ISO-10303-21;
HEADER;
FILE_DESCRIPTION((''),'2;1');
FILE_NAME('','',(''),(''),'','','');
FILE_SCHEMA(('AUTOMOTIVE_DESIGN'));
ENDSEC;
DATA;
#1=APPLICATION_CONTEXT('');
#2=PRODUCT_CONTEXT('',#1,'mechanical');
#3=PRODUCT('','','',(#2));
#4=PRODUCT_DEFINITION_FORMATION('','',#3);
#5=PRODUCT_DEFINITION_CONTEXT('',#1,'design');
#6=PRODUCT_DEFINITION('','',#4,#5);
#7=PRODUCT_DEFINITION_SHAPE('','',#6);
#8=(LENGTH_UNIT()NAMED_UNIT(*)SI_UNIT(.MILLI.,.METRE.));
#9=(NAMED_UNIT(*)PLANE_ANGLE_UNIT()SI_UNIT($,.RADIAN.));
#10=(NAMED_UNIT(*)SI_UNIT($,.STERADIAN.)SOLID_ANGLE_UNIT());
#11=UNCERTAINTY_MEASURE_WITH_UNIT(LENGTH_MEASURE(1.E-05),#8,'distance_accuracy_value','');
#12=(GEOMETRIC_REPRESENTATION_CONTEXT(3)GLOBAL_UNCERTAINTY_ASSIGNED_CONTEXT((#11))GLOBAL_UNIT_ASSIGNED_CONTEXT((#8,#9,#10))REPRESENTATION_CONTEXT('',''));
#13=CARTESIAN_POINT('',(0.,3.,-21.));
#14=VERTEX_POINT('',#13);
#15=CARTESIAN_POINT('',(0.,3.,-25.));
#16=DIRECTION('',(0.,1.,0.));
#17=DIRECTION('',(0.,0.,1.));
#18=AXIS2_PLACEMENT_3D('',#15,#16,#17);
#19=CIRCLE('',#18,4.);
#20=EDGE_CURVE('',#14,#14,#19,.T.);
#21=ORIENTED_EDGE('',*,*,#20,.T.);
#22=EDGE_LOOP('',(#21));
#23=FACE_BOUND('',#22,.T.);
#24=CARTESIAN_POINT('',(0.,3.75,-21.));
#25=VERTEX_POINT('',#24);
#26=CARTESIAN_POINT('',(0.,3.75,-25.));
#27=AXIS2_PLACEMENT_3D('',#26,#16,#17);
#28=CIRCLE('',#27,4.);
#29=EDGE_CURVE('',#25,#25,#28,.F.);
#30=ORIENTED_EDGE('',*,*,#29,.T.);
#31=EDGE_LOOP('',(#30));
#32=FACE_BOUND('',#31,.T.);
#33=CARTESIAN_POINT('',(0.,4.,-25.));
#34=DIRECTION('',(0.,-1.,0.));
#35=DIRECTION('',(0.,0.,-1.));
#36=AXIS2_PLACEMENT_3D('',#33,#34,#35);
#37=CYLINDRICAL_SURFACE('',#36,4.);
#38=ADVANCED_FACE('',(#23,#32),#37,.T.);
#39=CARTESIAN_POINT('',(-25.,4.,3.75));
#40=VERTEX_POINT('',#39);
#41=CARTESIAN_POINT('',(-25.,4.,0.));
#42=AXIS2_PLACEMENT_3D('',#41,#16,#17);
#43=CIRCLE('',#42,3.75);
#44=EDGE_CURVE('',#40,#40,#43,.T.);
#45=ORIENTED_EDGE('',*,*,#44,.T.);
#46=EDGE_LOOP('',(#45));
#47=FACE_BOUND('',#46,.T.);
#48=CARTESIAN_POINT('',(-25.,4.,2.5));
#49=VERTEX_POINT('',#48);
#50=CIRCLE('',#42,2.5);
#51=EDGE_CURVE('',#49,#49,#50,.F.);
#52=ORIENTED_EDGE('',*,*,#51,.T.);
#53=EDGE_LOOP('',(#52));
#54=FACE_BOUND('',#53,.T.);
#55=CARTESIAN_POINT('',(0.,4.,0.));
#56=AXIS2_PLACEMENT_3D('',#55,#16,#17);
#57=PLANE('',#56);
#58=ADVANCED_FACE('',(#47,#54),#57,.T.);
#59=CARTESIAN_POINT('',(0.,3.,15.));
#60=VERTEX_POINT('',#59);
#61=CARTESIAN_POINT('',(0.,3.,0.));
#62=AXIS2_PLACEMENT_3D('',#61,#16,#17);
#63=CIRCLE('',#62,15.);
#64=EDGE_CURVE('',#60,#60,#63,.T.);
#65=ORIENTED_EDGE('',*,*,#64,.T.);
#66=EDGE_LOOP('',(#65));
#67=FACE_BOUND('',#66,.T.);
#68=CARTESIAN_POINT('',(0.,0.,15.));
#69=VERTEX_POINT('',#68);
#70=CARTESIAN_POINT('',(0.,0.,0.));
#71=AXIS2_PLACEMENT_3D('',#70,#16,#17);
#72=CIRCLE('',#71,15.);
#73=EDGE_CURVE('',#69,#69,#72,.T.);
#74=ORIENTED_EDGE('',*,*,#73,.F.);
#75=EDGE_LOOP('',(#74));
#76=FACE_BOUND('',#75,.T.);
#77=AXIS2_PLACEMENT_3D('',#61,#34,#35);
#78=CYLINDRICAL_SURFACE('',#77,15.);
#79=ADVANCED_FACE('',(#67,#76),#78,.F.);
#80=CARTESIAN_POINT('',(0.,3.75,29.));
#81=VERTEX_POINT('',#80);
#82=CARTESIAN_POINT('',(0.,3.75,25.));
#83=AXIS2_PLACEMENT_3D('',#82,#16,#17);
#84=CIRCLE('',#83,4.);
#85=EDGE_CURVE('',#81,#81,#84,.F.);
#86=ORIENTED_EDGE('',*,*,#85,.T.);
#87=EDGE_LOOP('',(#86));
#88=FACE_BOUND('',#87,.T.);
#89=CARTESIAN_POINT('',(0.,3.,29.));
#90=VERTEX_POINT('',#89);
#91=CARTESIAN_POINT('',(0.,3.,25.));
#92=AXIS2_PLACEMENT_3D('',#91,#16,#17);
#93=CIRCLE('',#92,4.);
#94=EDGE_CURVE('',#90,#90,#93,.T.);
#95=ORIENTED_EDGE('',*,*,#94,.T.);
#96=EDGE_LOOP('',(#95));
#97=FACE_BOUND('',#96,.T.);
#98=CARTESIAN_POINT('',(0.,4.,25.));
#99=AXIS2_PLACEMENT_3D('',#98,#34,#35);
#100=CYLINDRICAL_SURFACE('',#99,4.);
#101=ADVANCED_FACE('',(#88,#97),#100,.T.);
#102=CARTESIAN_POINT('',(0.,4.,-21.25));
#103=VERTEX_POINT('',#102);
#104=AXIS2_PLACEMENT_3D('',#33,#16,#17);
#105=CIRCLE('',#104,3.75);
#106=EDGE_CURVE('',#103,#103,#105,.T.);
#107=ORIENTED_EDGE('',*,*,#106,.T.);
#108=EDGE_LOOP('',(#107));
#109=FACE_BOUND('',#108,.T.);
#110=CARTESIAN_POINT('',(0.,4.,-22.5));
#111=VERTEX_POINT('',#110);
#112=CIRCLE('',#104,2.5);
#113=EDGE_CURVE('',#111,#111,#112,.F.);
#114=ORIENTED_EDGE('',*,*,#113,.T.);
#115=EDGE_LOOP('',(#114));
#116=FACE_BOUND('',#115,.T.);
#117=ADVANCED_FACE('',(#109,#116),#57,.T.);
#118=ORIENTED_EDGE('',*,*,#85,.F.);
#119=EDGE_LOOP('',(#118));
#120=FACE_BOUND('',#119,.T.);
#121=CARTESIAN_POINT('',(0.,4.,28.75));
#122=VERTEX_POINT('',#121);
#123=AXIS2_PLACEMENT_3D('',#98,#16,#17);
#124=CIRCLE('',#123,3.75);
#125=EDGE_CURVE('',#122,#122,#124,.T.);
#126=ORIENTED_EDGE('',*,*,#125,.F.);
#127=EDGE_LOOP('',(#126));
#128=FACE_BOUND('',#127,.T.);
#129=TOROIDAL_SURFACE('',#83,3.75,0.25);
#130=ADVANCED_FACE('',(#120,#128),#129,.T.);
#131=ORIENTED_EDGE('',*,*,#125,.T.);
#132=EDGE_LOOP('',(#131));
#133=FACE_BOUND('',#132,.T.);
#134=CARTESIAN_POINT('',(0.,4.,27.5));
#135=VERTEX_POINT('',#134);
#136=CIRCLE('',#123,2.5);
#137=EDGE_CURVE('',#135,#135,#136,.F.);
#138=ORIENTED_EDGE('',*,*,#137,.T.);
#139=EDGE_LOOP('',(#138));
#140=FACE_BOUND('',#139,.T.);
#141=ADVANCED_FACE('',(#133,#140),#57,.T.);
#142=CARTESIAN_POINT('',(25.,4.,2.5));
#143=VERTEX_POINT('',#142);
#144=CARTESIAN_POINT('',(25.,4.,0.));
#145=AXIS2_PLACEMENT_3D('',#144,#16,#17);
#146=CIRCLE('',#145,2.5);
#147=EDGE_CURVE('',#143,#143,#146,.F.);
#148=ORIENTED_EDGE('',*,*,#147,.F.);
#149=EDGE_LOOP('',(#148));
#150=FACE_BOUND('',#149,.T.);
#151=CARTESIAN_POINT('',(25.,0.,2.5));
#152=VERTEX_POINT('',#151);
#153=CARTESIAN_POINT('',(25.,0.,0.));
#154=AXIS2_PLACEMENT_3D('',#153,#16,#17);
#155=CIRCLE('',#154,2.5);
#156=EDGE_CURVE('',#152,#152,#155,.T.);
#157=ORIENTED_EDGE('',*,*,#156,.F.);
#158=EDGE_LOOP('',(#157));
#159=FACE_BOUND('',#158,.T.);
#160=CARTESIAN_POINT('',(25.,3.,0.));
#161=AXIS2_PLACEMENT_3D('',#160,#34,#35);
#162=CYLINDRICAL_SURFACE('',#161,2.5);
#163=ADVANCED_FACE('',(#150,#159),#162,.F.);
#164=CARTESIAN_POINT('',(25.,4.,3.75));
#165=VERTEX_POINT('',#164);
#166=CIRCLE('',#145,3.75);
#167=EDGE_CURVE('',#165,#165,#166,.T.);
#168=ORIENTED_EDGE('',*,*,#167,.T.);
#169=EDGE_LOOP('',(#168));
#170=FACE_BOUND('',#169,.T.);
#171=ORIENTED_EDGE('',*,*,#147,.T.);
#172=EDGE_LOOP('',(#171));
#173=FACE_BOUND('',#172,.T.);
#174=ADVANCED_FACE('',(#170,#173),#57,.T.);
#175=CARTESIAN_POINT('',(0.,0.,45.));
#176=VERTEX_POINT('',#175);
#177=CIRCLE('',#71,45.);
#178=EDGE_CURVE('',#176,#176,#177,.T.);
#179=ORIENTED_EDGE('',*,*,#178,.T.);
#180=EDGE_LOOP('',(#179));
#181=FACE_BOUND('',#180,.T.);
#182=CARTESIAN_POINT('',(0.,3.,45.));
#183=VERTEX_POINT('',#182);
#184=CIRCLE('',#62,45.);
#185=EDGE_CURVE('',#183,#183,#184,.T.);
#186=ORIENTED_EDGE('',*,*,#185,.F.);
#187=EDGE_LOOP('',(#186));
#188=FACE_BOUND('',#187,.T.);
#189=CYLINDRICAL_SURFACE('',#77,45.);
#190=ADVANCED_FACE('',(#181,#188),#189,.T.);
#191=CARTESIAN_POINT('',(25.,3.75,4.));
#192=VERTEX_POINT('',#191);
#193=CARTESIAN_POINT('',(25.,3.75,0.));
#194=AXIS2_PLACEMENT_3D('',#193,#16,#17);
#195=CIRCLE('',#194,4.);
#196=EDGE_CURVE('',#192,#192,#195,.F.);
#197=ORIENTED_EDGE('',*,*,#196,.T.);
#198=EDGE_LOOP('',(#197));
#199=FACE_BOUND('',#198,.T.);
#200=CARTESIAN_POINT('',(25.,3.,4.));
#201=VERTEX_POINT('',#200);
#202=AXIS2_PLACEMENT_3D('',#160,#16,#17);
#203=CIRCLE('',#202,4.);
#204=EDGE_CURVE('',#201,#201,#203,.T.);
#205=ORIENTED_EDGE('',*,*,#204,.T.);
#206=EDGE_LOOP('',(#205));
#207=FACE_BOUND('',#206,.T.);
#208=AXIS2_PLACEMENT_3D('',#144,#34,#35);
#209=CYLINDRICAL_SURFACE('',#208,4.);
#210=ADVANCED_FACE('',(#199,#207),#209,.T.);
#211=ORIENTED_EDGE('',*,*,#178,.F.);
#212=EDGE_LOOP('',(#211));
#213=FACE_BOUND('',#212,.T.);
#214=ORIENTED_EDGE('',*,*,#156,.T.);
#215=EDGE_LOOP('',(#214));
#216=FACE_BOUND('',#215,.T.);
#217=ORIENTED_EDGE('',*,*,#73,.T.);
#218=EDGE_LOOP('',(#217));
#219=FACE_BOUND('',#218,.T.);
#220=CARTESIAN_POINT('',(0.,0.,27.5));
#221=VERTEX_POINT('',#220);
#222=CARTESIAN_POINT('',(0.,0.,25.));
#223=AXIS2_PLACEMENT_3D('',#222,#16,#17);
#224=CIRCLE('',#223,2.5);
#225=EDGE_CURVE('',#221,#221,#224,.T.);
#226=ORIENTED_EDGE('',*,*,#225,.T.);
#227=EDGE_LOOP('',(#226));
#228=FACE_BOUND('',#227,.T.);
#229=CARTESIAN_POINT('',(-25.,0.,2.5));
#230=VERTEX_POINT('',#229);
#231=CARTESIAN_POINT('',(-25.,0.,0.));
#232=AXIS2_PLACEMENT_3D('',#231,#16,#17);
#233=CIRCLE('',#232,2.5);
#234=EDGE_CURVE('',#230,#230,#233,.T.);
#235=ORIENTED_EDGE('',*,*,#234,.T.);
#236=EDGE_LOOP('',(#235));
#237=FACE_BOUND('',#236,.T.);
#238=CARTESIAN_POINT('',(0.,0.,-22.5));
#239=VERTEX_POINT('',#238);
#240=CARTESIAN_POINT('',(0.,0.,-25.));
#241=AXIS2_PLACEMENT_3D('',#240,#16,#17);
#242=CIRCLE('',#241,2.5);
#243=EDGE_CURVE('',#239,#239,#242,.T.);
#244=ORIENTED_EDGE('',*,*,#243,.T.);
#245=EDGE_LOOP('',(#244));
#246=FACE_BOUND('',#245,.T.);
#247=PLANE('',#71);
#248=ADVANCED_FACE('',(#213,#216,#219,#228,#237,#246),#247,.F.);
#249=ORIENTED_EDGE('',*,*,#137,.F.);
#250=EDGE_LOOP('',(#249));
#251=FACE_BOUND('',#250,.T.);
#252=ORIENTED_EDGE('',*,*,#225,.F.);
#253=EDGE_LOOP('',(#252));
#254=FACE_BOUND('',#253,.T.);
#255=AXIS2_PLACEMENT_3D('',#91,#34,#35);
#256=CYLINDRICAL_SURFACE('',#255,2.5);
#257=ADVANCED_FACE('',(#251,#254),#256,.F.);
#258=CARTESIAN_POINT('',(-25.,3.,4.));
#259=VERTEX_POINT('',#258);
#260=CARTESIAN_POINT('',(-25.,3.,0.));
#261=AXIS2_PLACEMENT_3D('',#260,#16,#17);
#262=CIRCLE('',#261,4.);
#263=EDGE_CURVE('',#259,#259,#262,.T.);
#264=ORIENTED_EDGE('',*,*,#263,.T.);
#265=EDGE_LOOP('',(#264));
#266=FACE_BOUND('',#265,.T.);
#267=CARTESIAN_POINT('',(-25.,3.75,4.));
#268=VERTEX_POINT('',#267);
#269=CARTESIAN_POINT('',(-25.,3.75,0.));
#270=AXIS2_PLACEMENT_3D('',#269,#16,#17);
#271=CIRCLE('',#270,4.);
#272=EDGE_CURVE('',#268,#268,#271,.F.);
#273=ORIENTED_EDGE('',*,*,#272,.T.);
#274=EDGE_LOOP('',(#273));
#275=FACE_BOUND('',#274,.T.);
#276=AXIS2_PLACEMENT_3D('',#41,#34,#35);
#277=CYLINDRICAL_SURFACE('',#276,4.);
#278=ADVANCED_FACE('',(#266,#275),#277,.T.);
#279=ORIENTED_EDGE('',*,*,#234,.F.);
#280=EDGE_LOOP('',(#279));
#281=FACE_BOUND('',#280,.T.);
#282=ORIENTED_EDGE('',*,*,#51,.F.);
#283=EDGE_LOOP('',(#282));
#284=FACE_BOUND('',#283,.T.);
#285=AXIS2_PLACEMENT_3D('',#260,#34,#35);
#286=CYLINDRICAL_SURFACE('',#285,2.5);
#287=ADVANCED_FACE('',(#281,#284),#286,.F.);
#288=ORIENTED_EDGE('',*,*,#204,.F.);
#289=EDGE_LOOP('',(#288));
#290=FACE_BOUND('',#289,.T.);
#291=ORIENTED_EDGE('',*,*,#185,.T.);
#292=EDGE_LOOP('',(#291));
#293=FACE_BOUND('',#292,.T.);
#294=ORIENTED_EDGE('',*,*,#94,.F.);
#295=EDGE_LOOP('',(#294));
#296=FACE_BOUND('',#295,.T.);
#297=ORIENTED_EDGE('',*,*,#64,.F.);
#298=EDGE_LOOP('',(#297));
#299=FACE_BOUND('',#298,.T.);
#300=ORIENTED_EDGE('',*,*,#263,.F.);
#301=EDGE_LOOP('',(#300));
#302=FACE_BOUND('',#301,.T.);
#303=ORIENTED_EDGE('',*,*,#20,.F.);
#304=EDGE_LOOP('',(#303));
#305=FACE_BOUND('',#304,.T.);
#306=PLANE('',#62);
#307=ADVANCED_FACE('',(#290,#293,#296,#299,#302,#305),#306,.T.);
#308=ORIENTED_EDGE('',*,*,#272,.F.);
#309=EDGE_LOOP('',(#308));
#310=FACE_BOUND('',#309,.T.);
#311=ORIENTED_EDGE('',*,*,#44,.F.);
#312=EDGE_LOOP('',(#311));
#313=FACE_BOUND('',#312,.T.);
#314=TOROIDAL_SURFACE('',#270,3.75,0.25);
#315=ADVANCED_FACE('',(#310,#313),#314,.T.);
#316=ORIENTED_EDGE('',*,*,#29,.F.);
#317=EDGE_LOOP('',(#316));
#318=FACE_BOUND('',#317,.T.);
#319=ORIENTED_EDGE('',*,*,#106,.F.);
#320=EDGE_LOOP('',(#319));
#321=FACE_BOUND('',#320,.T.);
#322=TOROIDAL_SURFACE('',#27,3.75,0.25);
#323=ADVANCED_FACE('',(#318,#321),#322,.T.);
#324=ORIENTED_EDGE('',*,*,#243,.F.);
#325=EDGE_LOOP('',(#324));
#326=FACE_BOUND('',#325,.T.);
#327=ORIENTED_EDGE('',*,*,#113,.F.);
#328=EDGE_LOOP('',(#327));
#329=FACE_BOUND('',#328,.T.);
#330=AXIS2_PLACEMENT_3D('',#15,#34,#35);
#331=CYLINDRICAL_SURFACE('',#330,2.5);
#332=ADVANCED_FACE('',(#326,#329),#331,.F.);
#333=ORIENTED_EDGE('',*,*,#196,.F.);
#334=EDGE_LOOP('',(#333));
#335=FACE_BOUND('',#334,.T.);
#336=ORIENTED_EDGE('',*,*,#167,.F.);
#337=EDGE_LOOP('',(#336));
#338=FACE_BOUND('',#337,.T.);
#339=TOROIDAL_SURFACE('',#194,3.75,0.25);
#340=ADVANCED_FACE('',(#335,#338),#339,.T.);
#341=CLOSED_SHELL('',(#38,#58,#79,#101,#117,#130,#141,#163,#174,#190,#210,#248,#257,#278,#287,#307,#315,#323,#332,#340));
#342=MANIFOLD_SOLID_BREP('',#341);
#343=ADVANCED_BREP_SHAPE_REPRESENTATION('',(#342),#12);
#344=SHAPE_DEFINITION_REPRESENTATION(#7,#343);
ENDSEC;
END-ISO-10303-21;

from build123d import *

# Parameters (mm, degrees)
SKETCH1_R           = 45
SKETCH1_R_2         = 15
SKETCH1_R_3         = 2.5
BOSS_EXTRUDE1_DEPTH = 3
SKETCH2_R           = 4
SKETCH2_R_2         = 2.5
BOSS_EXTRUDE2_DEPTH = 1
FILLET1_R           = 0.25


with BuildPart() as part:
    # Sketch1 → Boss-Extrude1 (new body)
    with BuildSketch(Plane(origin=(0, 0, 0), x_dir=(1, 0, 0), z_dir=(0, 1, 0))):
        with Locations(Location((0, 0, 0), (0, 0, 270))):
            Circle(SKETCH1_R)
        with Locations(Location((0, 0, 0), (0, 0, 270))):
            Circle(SKETCH1_R_2, mode=Mode.SUBTRACT)
        with Locations(Location((0, 25, 0), (0, 0, 270))):
            Circle(SKETCH1_R_3, mode=Mode.SUBTRACT)
        with Locations(Location((25, 0, 0), (0, 0, 270))):
            Circle(SKETCH1_R_3, mode=Mode.SUBTRACT)
        with Locations(Location((0, -25, 0), (0, 0, 270))):
            Circle(SKETCH1_R_3, mode=Mode.SUBTRACT)
        with Locations(Location((-25, 0, 0), (0, 0, 270))):
            Circle(SKETCH1_R_3, mode=Mode.SUBTRACT)
    extrude(amount=BOSS_EXTRUDE1_DEPTH)

    # Sketch2 → Boss-Extrude2 (add)
    # profile 1 of 4: a face of its own
    with BuildSketch(Plane(origin=(0, 3, 0), x_dir=(1, 0, 0), z_dir=(0, 1, 0))):
        with Locations(Location((25, 0, 0), (0, 0, 270))):
            Circle(SKETCH2_R)
        with Locations(Location((25, 0, 0), (0, 0, 270))):
            Circle(SKETCH2_R_2, mode=Mode.SUBTRACT)
    # profile 2 of 4: a face of its own
    with BuildSketch(Plane(origin=(0, 3, 0), x_dir=(1, 0, 0), z_dir=(0, 1, 0))):
        with Locations(Location((0, 25, 0), (0, 0, 270))):
            Circle(SKETCH2_R)
        with Locations(Location((0, 25, 0), (0, 0, 270))):
            Circle(SKETCH2_R_2, mode=Mode.SUBTRACT)
    # profile 3 of 4: a face of its own
    with BuildSketch(Plane(origin=(0, 3, 0), x_dir=(1, 0, 0), z_dir=(0, 1, 0))):
        with Locations(Location((0, -25, 0), (0, 0, 270))):
            Circle(SKETCH2_R)
        with Locations(Location((0, -25, 0), (0, 0, 270))):
            Circle(SKETCH2_R_2, mode=Mode.SUBTRACT)
    # profile 4 of 4: a face of its own
    with BuildSketch(Plane(origin=(0, 3, 0), x_dir=(1, 0, 0), z_dir=(0, 1, 0))):
        with Locations(Location((-25, 0, 0), (0, 0, 270))):
            Circle(SKETCH2_R)
        with Locations(Location((-25, 0, 0), (0, 0, 270))):
            Circle(SKETCH2_R_2, mode=Mode.SUBTRACT)
    extrude(amount=BOSS_EXTRUDE2_DEPTH)

    # Fillet1
    fillet1_edges = [part.edges().sort_by_distance(p)[0] for p in [
        (-25, 4, -4),
        (0, 4, 21),
        (25, 4, -4),
        (0, 4, -29),
    ]]
    fillet(fillet1_edges, radius=FILLET1_R)


solid = part.part
